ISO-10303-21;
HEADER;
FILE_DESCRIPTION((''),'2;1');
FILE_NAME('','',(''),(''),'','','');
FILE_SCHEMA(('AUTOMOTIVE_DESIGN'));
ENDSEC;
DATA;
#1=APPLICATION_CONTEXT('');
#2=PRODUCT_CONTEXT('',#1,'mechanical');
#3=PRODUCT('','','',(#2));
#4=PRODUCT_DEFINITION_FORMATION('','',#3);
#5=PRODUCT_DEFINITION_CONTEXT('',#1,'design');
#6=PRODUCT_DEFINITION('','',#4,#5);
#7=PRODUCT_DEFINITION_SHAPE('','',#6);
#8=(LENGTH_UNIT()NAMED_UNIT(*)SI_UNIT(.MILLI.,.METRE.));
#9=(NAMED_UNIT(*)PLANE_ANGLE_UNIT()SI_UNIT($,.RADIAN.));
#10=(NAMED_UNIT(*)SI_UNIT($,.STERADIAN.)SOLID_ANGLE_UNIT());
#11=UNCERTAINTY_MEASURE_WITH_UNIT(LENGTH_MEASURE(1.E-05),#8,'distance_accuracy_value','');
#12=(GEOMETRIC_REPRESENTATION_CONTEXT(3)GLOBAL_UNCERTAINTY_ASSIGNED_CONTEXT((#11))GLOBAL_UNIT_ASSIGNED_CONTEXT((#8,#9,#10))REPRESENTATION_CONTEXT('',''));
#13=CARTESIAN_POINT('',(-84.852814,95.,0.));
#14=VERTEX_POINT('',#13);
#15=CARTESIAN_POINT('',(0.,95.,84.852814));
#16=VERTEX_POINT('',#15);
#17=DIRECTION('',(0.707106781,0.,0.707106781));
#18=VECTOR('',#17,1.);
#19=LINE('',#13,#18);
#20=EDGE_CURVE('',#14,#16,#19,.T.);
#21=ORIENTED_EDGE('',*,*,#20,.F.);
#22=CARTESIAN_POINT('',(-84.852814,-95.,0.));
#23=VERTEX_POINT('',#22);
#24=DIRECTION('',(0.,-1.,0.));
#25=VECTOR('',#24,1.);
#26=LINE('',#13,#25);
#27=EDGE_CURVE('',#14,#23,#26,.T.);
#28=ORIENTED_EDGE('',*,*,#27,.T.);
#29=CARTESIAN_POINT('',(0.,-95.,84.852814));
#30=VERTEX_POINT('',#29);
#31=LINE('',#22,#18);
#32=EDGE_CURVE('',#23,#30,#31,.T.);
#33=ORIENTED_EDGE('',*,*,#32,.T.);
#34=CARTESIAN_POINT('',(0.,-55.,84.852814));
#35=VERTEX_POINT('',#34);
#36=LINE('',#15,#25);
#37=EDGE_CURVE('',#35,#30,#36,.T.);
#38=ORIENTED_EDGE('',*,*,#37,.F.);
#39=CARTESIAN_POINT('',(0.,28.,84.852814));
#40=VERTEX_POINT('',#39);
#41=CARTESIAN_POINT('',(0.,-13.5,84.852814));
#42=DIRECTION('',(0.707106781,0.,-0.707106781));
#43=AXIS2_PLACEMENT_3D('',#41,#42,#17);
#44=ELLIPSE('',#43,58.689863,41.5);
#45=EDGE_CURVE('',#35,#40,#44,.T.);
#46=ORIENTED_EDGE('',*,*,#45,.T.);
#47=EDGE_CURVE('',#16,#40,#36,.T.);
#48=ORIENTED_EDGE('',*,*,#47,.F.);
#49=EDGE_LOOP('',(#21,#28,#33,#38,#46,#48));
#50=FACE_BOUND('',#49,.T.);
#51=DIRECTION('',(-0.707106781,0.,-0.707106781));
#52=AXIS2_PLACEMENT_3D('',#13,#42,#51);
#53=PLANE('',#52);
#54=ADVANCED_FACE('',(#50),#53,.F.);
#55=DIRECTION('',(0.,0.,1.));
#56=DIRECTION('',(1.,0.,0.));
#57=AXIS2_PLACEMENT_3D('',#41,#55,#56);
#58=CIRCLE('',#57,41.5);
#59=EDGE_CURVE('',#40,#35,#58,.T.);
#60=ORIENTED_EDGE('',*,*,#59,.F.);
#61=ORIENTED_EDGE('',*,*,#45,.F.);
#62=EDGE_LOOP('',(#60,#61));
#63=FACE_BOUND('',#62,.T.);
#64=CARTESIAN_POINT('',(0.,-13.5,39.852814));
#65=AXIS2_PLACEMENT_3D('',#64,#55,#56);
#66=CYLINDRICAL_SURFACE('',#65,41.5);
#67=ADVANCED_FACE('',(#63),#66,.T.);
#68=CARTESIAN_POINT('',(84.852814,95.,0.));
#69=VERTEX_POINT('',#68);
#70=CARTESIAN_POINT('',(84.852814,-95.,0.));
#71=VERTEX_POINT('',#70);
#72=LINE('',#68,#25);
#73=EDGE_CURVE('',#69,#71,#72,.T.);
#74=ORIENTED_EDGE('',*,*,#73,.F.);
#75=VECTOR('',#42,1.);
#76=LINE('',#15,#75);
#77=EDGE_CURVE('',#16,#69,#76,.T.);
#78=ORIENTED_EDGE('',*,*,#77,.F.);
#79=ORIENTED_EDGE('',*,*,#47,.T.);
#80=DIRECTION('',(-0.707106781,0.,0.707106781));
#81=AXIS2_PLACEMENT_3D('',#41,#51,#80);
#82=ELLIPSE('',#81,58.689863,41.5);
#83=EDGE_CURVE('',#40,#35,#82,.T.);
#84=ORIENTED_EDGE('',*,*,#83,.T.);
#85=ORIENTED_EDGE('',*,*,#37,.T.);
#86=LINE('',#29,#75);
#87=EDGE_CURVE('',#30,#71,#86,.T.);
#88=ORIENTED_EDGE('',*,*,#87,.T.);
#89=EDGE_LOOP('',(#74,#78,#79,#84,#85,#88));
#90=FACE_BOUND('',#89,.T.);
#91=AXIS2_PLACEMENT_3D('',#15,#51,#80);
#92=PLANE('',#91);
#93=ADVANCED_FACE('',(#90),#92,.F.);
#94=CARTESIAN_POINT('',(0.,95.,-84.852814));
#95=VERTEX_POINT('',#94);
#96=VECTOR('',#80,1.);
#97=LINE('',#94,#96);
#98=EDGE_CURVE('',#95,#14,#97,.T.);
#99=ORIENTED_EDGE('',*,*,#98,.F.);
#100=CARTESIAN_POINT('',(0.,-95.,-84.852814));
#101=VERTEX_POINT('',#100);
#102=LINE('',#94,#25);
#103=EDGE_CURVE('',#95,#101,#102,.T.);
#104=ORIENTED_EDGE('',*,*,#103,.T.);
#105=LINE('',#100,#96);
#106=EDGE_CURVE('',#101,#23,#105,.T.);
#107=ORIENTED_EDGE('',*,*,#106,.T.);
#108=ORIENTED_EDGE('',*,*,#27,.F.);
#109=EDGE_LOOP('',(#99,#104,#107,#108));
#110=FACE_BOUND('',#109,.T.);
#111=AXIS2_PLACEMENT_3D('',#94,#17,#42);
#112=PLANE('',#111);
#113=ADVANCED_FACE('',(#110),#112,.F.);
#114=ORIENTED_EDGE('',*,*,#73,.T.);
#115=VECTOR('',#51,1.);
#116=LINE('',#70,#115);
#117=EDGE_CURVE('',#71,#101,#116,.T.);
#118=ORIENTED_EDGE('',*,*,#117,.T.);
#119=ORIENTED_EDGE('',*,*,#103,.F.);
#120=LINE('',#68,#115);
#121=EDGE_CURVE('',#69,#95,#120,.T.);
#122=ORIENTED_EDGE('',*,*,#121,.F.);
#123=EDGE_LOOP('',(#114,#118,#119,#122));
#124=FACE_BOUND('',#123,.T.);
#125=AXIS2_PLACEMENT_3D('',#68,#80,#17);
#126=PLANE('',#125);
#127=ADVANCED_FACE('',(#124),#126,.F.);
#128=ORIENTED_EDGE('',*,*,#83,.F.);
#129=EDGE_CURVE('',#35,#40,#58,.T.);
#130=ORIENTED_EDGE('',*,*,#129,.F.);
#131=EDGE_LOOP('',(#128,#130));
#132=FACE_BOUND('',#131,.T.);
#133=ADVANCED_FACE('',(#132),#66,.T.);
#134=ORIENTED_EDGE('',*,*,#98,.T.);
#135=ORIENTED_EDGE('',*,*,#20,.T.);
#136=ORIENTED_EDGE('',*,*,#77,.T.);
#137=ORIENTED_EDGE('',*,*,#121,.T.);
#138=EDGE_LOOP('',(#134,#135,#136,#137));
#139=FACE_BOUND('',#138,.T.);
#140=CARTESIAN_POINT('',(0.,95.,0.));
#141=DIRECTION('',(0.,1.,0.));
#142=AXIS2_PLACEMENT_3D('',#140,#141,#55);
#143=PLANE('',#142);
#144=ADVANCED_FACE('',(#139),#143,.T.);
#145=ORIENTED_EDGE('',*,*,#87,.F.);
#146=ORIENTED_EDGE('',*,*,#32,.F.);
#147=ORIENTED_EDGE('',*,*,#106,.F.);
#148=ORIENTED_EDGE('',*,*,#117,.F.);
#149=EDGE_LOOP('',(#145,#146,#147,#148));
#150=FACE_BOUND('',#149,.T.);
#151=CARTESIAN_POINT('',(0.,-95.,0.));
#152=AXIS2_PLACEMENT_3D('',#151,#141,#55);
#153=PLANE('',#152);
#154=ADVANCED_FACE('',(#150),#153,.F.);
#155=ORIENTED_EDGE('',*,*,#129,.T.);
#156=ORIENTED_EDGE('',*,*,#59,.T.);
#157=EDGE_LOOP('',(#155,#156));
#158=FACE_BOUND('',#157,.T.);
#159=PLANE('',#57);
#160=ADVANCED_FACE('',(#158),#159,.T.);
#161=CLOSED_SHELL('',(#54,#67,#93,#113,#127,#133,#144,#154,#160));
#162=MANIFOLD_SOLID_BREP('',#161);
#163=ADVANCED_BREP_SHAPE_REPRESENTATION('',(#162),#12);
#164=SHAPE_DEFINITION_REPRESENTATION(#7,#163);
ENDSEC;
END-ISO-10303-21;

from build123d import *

# Parameters (mm, degrees)
BOSS_EXTRUDE1_DEPTH = 95
SKETCH3_R           = 41.5
BOSS_EXTRUDE3_DEPTH = 45


with BuildPart() as part:
    # Sketch2 → Boss-Extrude1 (new body, symmetric)
    with BuildSketch(Plane(origin=(0, 0, 0), x_dir=(1, 0, 0), z_dir=(0, 1, 0))):
        Polygon((-84.852813742, 0), (0, -84.852813742), (84.852813742, 0), (0, 84.852813742), align=None)
    extrude(amount=BOSS_EXTRUDE1_DEPTH, both=True)

    # Sketch3 → Boss-Extrude3 (add)
    with BuildSketch(Plane.XY.offset(84.852813742)):
        with Locations((0, -13.5)):
            Circle(SKETCH3_R)
    extrude(amount=-BOSS_EXTRUDE3_DEPTH)


solid = part.part
